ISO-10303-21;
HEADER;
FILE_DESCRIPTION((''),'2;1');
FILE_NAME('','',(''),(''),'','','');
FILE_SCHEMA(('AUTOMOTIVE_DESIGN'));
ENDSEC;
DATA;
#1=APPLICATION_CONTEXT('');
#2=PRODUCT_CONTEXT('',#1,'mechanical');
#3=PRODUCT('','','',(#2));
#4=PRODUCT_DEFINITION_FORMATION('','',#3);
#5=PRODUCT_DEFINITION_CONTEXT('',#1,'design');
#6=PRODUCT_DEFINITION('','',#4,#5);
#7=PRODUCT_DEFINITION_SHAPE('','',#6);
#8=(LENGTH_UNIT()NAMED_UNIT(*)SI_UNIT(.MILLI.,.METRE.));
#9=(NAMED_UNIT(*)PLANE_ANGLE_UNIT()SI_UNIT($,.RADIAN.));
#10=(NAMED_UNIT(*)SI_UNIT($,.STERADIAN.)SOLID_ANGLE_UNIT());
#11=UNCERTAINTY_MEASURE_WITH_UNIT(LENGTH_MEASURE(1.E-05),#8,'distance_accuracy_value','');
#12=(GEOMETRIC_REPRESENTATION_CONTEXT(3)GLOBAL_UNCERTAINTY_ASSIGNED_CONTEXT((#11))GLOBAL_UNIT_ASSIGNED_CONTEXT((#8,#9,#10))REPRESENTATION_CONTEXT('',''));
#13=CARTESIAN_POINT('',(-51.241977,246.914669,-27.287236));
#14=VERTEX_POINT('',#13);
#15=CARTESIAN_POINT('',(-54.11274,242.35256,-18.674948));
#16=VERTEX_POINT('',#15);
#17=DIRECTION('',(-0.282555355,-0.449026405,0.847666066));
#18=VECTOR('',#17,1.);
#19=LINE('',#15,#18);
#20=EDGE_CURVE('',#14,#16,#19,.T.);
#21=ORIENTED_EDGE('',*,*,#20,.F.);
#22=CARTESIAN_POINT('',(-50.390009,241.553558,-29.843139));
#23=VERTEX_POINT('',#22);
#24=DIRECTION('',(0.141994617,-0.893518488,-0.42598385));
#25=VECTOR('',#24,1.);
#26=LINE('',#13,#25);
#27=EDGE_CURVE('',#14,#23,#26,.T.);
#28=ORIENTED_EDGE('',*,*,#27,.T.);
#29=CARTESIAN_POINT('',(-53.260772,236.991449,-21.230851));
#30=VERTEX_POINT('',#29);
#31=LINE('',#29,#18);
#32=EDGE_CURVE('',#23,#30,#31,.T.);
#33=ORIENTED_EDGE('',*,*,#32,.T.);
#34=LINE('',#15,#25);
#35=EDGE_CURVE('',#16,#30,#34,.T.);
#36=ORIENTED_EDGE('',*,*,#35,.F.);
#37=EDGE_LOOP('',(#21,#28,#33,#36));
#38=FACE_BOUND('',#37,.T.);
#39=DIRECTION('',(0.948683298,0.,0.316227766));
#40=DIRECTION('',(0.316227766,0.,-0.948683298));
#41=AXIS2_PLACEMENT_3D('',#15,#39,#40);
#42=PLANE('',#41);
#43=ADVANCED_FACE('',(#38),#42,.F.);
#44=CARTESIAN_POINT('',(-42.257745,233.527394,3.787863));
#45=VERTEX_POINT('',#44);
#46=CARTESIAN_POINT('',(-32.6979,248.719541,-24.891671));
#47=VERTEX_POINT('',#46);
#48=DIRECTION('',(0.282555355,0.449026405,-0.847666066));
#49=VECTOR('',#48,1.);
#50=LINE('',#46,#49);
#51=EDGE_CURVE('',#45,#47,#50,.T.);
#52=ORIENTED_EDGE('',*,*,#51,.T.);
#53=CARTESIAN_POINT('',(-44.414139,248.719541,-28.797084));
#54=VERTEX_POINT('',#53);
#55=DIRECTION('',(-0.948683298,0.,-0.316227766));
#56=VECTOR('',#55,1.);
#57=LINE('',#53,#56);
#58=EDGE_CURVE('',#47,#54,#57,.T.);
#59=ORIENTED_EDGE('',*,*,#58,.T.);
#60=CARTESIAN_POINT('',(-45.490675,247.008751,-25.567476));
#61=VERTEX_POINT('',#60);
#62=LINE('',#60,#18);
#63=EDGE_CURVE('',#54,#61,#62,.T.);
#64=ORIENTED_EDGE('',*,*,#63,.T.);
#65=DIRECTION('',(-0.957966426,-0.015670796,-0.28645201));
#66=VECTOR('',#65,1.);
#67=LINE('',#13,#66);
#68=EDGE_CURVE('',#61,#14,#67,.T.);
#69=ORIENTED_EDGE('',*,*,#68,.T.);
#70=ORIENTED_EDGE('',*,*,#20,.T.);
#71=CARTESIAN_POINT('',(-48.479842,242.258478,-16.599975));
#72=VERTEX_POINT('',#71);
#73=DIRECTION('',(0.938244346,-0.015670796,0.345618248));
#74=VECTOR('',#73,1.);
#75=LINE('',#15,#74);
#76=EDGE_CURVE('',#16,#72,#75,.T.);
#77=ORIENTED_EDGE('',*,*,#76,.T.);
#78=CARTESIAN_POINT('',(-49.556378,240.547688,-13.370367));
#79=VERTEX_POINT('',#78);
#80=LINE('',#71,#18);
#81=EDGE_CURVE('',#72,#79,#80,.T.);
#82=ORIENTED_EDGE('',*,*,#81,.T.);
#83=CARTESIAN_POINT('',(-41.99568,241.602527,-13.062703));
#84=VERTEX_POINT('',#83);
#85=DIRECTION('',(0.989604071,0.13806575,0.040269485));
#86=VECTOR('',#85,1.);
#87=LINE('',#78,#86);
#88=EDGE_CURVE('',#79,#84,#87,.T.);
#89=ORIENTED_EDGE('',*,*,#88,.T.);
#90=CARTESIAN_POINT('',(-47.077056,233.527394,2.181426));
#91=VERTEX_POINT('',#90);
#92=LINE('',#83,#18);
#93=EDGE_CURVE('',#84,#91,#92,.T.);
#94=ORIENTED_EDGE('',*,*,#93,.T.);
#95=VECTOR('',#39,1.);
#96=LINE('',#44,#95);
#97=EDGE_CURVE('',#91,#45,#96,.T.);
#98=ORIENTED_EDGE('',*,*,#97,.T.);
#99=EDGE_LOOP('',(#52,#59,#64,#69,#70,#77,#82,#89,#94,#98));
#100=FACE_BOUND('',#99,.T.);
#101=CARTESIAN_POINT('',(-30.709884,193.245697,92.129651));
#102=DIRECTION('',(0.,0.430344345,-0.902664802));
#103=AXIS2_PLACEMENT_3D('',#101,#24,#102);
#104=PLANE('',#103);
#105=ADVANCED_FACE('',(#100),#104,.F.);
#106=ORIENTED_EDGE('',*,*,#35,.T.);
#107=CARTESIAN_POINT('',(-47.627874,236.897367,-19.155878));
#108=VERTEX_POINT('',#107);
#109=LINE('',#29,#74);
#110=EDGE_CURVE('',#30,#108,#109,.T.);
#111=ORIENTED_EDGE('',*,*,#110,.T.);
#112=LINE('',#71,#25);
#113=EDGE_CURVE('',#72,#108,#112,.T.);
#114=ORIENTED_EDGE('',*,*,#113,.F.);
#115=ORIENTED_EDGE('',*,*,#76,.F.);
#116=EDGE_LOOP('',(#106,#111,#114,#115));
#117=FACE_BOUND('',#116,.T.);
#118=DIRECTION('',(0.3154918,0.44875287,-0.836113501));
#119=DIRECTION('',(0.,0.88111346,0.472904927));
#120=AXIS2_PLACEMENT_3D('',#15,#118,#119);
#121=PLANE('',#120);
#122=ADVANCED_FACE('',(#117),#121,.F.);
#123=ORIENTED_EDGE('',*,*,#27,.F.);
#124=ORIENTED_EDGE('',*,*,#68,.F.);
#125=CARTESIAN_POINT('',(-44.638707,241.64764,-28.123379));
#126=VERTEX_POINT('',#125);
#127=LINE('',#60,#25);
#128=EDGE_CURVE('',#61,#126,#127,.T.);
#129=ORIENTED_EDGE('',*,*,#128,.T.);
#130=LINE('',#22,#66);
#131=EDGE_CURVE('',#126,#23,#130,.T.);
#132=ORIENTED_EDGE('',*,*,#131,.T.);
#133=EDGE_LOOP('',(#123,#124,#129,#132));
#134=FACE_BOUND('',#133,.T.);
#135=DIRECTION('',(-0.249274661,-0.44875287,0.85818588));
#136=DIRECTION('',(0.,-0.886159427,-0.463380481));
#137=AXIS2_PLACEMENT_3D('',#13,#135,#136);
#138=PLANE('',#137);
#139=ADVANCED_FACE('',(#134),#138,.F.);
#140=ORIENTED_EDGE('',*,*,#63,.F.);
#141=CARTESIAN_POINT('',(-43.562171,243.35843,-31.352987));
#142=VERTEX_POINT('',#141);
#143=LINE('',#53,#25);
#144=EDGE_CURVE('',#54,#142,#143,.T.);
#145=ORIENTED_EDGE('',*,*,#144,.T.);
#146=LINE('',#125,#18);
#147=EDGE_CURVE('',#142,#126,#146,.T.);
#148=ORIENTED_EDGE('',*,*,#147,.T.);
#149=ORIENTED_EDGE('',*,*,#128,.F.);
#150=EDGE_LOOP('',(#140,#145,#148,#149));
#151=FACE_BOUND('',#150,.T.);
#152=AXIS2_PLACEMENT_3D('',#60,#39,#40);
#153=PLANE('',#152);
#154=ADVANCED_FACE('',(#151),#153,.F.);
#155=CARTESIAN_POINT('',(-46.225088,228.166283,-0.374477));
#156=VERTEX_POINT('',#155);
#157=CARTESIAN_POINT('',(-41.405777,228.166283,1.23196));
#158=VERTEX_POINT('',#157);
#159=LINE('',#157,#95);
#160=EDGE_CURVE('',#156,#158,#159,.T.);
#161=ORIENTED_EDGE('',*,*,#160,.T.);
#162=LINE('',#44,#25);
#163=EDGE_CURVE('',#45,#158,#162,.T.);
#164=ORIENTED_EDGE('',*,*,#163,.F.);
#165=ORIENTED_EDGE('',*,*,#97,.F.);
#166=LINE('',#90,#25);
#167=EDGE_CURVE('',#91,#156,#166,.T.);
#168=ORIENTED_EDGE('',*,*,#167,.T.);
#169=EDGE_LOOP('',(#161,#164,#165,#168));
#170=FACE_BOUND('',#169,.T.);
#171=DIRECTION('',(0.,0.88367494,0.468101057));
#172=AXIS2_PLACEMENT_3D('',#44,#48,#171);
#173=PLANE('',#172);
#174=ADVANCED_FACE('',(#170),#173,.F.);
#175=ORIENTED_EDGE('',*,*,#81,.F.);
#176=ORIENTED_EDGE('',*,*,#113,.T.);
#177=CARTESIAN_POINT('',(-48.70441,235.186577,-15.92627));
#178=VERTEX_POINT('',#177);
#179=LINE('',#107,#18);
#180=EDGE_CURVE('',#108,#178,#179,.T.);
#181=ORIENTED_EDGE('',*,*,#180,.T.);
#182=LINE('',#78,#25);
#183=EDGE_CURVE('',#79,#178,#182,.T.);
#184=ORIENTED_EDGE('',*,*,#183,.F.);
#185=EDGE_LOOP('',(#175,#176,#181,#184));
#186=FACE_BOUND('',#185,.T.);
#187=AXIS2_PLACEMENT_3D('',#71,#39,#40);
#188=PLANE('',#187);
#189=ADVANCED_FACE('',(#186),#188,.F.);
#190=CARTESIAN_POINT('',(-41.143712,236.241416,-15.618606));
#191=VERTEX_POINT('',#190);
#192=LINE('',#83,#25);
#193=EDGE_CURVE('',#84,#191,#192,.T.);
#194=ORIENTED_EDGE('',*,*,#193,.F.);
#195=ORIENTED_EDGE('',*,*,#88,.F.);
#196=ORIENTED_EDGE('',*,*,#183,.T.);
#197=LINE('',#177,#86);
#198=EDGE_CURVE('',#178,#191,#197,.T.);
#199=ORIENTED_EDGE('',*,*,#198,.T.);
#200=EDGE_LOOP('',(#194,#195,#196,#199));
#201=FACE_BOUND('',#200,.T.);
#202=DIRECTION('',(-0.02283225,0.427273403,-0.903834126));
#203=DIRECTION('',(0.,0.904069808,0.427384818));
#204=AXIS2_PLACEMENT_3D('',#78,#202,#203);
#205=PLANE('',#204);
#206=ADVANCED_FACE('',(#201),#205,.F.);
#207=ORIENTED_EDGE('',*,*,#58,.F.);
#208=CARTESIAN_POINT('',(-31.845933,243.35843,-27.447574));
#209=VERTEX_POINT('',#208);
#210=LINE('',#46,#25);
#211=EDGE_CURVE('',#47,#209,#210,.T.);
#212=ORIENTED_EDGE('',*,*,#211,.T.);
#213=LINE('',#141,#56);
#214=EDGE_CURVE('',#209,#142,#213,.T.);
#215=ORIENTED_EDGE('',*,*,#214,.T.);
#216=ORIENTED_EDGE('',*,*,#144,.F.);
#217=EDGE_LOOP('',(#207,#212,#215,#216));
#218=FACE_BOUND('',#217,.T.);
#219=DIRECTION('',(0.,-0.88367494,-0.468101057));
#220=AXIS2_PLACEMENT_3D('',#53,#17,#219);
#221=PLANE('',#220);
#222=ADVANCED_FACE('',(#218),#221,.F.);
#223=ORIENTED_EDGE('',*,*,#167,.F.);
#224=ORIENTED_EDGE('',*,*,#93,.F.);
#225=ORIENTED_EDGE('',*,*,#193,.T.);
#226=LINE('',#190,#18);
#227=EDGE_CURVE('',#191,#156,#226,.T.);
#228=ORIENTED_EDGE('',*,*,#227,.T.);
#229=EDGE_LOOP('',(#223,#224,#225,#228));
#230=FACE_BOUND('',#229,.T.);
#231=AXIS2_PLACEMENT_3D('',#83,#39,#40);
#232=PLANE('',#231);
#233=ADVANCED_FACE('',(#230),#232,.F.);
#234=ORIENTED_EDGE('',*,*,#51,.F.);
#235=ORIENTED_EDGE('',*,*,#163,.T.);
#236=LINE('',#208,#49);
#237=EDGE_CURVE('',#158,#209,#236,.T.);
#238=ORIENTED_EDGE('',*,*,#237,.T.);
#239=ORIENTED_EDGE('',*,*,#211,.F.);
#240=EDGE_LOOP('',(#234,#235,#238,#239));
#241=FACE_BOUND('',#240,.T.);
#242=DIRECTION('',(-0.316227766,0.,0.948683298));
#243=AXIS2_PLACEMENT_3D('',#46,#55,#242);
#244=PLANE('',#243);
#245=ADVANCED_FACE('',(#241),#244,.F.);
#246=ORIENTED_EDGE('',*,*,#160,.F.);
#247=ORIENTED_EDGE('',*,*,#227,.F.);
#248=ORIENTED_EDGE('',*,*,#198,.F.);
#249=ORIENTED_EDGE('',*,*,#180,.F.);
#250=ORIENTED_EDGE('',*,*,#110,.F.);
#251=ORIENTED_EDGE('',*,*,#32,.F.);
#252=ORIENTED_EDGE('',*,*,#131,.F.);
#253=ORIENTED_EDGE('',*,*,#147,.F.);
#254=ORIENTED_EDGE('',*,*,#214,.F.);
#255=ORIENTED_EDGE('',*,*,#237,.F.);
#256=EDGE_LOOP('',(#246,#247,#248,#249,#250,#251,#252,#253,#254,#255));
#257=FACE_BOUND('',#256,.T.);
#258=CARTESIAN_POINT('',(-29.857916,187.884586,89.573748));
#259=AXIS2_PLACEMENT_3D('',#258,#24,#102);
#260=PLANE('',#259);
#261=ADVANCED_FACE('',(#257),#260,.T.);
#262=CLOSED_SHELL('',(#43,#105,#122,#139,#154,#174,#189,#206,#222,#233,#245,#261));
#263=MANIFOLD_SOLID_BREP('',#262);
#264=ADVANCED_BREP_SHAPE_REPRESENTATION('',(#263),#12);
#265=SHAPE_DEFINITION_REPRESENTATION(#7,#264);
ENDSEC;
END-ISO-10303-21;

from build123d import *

# Parameters (mm, degrees)
BOSS_EXTRUDE1_DEPTH = 3


with BuildPart() as part:
    # Sketch1 → Boss-Extrude1 (new, symmetric)
    with BuildSketch(Plane(origin=(-30.283899698, 190.565141588, 90.851699095), x_dir=(0.9895658040523138, 0.13875740324000221, 0.03880595954733255), z_dir=(-0.14199461682965575, 0.8935184877292665, 0.42598385048896426))):
        Polygon((-20.644604007, 121.698961188), (-17.504977468, 131.361690885), (-11.733894079, 129.706850383), (-10.556534127, 133.33037402), (1.189008368, 129.513997272), (-9.266172958, 97.336415059), (-14.097537806, 98.906228328), (-8.540260065, 116.00968697), (-16.180374478, 116.022057732), (-15.003014526, 119.645581368), align=None)
    extrude(amount=BOSS_EXTRUDE1_DEPTH, both=True)


solid = part.part
